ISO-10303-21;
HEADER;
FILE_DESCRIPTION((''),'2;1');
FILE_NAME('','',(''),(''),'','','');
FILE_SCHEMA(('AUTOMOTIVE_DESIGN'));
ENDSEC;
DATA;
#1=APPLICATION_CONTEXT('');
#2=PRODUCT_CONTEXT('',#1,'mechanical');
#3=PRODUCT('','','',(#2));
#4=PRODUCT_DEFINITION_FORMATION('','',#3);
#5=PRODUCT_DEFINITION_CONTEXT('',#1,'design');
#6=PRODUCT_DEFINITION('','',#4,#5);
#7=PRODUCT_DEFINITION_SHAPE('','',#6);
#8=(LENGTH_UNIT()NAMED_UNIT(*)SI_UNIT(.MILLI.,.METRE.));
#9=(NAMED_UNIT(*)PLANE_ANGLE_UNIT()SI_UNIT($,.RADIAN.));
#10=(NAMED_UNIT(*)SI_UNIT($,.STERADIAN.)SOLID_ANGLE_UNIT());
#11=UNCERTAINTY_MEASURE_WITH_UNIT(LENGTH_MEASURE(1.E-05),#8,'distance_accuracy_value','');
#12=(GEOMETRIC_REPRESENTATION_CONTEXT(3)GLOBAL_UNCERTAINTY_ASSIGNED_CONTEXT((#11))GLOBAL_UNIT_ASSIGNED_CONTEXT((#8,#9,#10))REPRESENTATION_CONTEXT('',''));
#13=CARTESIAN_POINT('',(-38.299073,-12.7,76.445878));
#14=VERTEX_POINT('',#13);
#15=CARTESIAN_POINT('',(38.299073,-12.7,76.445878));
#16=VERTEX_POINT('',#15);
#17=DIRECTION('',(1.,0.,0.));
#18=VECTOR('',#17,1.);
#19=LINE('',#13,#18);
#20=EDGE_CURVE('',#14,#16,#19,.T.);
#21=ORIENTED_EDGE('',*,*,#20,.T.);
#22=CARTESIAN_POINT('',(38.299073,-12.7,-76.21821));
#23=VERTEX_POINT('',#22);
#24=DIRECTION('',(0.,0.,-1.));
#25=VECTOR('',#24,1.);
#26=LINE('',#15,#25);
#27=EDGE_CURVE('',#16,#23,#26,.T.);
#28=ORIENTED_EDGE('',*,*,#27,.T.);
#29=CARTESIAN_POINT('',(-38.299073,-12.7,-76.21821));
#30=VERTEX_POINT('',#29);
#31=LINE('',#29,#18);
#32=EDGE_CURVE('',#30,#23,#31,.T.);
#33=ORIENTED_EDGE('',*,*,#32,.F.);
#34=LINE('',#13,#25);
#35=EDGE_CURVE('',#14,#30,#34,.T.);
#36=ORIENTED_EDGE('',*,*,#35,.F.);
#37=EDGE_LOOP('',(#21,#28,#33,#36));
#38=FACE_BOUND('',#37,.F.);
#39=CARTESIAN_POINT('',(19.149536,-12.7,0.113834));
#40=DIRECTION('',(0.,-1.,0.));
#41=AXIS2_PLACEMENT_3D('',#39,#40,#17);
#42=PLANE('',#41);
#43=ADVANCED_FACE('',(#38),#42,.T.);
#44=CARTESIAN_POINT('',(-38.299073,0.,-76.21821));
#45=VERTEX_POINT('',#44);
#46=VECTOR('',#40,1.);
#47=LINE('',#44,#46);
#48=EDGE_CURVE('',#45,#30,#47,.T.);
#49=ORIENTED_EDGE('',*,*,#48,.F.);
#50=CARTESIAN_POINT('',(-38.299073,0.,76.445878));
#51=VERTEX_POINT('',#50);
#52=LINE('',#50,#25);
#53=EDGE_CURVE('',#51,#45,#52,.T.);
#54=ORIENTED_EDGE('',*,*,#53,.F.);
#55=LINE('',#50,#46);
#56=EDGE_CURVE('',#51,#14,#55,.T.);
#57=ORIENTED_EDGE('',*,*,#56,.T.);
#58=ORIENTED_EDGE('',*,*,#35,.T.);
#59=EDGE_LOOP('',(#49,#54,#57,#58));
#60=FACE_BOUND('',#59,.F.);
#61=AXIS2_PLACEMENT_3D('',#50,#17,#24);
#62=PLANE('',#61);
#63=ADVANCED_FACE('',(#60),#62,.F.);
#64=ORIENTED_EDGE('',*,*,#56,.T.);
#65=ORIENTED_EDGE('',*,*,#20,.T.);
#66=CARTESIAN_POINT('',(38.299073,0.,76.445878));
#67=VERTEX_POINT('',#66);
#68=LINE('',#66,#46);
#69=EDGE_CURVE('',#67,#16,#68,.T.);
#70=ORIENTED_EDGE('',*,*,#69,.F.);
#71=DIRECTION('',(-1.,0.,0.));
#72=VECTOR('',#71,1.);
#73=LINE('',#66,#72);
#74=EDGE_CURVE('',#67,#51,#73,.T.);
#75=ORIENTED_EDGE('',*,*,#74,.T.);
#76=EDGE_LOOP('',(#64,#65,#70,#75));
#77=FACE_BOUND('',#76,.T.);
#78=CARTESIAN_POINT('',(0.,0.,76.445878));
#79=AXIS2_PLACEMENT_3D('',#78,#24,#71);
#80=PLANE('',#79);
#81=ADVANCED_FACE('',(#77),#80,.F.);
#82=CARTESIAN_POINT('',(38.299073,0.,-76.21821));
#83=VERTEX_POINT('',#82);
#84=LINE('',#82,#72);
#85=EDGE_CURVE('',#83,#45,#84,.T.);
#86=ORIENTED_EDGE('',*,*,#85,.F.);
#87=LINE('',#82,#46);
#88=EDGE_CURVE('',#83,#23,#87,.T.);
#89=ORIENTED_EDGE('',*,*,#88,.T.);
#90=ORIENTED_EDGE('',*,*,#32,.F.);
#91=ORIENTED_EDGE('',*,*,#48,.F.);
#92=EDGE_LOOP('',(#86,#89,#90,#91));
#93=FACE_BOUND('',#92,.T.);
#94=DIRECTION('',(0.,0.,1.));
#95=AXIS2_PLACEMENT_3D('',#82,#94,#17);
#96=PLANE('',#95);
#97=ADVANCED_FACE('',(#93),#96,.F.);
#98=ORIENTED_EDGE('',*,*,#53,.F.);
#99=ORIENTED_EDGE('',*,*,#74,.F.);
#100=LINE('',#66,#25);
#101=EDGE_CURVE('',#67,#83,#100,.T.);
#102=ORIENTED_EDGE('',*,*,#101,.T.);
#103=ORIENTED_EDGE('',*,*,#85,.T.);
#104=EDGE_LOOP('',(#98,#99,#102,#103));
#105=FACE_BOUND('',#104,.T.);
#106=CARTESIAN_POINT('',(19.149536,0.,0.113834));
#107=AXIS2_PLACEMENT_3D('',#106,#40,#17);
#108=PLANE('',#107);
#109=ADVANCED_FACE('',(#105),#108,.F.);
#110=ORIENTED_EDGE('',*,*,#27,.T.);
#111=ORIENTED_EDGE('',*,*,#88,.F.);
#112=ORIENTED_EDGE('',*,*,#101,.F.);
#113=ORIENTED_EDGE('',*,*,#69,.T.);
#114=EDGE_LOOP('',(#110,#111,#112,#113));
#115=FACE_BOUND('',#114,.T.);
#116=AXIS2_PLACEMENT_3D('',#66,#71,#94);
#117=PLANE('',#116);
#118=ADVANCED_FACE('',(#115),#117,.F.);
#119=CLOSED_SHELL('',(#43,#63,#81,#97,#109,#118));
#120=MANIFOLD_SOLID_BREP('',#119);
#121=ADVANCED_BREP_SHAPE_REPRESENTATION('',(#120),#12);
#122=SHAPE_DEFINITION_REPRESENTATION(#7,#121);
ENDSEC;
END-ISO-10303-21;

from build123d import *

# Parameters (mm, degrees)
F1_DEPTH = 12.7


with BuildPart() as f1:
    # F0 (on Front) → F1 (new body)
    with BuildSketch(Plane.XZ):
        Polygon((0, -76.21821), (0, 0), (0, 76.445878), (-38.299073, 76.445878), (-38.299073, -76.21821), align=None)
    extrude(amount=F1_DEPTH)

    # F2: F1 across plane


with BuildPart() as f1_1:
    add(f1.part)
    add(f1.part.mirror(Plane.YZ))


solid = f1_1.part
